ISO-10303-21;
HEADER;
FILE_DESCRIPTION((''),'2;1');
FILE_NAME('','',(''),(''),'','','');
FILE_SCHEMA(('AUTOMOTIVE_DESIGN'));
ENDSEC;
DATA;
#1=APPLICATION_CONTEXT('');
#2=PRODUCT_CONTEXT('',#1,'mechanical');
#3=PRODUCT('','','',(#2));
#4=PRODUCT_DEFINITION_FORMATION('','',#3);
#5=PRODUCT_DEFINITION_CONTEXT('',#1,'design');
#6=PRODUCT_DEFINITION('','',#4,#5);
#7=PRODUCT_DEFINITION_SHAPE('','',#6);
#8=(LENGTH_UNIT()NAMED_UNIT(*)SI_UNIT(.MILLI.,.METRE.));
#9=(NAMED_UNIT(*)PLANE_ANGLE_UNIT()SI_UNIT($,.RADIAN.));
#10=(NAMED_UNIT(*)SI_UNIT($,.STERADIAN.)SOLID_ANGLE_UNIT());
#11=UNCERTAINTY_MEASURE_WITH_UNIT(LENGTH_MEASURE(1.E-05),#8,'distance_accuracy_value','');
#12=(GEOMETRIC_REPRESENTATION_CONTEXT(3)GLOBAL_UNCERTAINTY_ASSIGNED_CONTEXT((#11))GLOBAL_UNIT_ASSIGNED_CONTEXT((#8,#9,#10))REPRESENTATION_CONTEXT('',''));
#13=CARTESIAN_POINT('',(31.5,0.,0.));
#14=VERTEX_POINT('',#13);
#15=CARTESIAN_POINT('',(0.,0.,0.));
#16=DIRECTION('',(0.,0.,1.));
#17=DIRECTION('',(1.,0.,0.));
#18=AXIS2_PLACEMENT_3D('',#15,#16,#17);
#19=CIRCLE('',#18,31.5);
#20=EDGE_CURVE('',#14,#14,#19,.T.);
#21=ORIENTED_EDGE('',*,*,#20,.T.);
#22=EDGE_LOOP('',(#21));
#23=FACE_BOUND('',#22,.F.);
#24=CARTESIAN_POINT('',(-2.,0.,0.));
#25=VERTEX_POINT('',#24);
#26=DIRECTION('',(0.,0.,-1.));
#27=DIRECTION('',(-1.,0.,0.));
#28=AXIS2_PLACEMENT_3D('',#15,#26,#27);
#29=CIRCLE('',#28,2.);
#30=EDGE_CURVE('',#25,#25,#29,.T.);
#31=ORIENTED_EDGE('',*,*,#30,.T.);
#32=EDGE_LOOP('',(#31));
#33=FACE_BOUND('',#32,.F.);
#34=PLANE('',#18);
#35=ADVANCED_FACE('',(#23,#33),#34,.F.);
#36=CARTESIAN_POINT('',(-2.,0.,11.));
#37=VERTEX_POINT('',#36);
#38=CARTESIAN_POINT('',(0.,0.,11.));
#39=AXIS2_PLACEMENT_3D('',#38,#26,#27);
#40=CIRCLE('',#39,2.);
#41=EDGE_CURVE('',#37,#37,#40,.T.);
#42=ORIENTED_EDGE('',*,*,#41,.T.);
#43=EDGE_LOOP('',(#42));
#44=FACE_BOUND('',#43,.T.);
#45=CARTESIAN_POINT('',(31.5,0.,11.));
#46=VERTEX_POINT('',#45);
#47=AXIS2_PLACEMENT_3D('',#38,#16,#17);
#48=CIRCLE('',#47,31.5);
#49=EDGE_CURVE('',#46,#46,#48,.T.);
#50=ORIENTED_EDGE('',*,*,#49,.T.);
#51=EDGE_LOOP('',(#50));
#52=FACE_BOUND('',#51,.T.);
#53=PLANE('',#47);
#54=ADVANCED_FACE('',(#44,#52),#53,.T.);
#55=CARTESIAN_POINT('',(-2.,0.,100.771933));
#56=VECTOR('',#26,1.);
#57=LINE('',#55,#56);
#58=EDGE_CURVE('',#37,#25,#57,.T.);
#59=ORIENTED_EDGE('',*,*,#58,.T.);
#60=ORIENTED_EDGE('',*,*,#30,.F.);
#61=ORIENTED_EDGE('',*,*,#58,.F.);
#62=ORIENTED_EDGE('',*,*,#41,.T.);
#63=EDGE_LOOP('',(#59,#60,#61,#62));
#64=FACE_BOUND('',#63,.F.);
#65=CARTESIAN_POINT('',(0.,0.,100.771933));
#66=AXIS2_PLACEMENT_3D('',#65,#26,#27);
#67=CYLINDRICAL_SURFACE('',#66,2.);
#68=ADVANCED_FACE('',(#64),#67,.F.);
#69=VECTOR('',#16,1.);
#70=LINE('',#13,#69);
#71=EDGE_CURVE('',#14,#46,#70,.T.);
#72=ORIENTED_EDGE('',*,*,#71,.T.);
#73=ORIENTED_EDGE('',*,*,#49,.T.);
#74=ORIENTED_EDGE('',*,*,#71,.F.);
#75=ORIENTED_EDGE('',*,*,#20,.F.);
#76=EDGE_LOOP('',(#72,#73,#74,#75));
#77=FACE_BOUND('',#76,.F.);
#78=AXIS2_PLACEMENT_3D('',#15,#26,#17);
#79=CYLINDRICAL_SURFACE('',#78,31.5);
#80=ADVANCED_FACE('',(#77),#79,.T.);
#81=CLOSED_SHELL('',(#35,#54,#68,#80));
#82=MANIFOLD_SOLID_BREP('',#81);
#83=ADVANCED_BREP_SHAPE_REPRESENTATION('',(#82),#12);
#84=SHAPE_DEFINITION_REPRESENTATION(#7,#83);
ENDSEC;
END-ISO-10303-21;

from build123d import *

# Parameters (mm, degrees)
F0_R     = 31.5
F1_DEPTH = 11
F3_D     = 4


with BuildPart() as f1:
    # F0 (on Top) → F1 (new body)
    with BuildSketch(Plane.XY):
        Circle(F0_R)
    extrude(amount=F1_DEPTH)

    # F3 (through all)
    with Locations(Plane.XY.offset(11)):
        with Locations((0, 0)):
            Hole(F3_D / 2)


solid = f1.part
